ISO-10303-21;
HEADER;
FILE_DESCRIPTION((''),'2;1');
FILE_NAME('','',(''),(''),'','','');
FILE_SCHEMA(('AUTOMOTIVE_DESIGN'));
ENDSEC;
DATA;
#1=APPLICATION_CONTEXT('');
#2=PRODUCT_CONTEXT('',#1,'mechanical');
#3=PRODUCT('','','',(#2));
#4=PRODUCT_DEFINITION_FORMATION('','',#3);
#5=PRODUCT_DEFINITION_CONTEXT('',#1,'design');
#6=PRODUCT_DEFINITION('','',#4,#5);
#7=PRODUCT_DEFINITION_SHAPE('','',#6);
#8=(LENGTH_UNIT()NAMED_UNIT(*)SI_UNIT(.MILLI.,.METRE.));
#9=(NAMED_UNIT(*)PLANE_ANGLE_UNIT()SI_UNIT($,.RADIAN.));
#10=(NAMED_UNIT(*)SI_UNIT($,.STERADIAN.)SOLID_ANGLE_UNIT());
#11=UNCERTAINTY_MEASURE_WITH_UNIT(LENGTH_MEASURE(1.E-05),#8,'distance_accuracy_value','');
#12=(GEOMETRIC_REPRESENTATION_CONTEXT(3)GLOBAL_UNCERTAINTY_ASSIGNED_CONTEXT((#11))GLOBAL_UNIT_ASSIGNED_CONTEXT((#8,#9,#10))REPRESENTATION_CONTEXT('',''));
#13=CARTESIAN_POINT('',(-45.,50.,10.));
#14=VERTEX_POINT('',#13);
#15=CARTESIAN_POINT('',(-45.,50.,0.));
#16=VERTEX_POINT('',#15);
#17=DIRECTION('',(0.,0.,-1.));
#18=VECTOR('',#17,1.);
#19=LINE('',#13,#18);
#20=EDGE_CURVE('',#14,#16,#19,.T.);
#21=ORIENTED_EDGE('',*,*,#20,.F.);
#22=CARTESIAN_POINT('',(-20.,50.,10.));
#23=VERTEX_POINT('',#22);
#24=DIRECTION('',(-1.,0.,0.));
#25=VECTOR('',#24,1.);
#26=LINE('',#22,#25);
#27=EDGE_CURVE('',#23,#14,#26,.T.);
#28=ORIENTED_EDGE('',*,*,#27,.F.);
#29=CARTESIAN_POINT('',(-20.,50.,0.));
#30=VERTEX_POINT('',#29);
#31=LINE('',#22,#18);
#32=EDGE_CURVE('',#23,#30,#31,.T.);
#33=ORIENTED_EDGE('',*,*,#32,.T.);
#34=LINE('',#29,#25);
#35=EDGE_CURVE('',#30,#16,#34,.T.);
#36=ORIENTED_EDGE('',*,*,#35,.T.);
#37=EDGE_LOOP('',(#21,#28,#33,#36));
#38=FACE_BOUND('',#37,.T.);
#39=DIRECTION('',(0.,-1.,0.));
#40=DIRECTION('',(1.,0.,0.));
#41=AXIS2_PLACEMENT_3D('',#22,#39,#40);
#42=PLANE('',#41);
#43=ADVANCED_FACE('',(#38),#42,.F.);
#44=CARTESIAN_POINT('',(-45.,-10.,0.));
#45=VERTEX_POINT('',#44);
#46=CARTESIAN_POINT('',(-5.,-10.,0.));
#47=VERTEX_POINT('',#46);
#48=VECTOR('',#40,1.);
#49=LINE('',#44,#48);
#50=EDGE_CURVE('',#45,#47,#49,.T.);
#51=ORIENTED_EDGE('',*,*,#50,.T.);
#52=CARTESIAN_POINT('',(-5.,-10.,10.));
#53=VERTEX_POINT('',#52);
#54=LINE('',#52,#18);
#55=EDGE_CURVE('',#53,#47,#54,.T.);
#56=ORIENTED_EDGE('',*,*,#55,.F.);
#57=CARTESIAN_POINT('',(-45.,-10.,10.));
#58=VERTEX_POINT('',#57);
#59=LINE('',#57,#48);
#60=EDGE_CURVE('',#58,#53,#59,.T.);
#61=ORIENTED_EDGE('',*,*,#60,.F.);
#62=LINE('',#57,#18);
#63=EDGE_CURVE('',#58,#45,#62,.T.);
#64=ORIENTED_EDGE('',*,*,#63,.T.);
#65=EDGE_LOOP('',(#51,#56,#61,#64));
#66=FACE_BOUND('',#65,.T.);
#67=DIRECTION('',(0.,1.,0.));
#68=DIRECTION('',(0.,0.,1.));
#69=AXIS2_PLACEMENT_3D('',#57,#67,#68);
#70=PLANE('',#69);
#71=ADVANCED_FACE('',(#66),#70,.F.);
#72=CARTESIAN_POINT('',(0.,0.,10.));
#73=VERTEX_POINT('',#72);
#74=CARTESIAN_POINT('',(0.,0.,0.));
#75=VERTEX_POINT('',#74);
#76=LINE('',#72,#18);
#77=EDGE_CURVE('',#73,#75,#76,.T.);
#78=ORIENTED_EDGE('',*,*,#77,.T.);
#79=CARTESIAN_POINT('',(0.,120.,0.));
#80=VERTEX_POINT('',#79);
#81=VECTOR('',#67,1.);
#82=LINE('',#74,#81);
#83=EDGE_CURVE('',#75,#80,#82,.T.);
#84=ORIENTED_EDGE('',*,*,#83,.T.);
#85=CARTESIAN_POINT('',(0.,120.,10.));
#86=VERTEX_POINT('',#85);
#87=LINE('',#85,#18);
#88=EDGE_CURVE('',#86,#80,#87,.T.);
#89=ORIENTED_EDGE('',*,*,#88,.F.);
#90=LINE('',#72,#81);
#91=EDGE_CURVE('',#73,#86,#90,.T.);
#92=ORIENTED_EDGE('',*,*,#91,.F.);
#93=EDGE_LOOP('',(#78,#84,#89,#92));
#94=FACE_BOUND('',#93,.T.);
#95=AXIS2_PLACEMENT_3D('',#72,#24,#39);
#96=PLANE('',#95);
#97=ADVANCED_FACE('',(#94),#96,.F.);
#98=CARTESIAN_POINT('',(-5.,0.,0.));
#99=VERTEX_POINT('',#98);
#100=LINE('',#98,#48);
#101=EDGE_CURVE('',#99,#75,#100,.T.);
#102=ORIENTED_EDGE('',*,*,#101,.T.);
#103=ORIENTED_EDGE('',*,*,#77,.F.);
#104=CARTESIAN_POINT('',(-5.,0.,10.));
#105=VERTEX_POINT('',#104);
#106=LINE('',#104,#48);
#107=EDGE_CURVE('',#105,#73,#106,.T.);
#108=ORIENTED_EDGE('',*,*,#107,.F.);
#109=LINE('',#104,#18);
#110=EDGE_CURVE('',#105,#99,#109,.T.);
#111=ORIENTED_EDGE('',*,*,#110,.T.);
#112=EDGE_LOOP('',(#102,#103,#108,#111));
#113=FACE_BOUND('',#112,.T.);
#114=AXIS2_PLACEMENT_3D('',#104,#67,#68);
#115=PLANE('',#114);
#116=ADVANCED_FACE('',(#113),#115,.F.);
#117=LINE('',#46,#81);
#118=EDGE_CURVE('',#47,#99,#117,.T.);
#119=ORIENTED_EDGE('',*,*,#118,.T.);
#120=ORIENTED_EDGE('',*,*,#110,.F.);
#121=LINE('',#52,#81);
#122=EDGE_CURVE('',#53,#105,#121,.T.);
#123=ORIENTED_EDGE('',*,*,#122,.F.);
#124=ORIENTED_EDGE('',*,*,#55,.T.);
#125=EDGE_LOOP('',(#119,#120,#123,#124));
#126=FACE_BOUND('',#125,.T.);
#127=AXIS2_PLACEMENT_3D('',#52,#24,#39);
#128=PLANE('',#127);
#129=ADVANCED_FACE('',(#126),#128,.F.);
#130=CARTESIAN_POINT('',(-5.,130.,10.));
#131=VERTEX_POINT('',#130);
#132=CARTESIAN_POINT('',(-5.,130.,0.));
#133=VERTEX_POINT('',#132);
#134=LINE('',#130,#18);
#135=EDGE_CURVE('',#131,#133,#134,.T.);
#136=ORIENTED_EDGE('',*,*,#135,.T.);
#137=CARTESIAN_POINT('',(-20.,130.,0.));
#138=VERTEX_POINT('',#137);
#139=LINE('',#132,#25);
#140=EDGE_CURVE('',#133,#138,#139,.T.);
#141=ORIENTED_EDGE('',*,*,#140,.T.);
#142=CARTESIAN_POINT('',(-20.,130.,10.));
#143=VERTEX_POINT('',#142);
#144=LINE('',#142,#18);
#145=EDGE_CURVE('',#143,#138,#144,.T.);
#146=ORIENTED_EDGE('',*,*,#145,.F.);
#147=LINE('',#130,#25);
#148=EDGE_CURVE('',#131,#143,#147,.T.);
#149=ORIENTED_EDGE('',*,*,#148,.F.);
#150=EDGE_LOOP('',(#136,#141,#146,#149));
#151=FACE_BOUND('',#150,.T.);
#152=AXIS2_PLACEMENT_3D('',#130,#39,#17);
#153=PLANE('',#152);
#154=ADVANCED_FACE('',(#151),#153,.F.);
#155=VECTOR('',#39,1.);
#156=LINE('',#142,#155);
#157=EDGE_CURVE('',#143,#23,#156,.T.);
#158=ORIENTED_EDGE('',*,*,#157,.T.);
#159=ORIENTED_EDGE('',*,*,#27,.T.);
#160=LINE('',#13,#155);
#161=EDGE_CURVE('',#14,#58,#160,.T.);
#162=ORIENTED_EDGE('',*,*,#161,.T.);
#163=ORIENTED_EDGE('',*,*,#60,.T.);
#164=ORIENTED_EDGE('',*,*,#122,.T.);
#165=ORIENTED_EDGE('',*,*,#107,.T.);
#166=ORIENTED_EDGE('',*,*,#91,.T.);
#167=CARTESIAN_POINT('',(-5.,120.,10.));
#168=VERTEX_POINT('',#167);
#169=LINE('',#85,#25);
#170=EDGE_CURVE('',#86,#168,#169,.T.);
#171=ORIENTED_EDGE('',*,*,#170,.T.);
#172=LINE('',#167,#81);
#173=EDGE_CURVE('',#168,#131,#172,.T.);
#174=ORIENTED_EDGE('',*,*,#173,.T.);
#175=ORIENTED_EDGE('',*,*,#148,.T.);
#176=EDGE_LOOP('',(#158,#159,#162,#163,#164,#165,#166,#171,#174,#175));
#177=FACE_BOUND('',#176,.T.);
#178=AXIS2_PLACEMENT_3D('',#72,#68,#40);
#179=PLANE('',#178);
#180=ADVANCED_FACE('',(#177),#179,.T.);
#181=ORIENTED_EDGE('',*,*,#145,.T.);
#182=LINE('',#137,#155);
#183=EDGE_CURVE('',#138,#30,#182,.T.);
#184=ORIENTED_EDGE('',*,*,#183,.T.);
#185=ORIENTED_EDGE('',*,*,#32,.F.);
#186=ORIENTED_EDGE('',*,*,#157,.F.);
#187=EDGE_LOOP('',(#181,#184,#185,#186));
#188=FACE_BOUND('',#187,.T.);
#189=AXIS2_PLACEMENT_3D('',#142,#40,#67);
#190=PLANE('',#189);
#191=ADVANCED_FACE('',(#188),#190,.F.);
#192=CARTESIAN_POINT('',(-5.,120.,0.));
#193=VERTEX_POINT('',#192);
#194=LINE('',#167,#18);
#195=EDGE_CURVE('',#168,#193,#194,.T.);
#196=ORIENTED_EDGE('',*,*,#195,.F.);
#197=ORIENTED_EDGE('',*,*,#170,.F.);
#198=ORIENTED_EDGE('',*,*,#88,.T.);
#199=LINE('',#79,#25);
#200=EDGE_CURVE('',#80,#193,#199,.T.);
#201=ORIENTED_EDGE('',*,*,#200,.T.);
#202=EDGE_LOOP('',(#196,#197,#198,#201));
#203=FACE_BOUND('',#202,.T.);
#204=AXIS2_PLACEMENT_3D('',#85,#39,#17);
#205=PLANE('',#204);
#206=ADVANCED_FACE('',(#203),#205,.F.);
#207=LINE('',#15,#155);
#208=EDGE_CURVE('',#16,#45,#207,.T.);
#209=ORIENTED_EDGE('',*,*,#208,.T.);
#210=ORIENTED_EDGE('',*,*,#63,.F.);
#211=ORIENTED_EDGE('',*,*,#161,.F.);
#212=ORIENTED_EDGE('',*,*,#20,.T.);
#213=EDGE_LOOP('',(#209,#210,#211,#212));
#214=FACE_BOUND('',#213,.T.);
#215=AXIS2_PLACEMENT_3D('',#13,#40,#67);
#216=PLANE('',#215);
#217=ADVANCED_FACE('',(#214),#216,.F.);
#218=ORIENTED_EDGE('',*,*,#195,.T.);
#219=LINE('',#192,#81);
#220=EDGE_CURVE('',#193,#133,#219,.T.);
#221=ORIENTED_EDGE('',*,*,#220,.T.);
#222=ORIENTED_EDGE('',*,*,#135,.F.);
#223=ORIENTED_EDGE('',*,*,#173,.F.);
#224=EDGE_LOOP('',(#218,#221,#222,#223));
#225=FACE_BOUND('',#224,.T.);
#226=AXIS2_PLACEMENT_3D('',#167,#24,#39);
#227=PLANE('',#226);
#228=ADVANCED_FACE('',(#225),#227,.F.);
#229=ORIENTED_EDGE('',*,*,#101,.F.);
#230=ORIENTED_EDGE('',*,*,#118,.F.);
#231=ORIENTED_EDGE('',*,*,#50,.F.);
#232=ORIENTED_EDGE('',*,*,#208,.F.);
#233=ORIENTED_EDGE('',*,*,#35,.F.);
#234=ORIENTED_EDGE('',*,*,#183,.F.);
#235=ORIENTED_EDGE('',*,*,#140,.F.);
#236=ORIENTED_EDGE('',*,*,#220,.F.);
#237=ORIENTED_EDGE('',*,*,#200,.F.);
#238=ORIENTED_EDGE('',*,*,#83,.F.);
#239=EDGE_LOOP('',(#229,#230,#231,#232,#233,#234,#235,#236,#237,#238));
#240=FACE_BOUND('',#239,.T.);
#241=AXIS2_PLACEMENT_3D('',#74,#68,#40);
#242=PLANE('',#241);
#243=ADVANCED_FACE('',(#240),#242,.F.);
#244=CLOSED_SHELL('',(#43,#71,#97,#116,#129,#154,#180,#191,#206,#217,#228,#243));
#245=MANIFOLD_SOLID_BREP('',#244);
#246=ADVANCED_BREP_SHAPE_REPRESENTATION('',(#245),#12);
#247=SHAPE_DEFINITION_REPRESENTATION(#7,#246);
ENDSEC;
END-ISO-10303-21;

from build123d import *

# Parameters (mm, degrees)
BOSS_EXTRUDE1_DEPTH = 10


with BuildPart() as part:
    # Sketch2 → Boss-Extrude1 (new body)
    with BuildSketch(Plane.XY):
        Polygon((0, 120), (-5, 120), (-5, 130), (-20, 130), (-20, 50), (-45, 50), (-45, -10), (-5, -10), (-5, 0), (0, 0), align=None)
    extrude(amount=BOSS_EXTRUDE1_DEPTH)


solid = part.part
